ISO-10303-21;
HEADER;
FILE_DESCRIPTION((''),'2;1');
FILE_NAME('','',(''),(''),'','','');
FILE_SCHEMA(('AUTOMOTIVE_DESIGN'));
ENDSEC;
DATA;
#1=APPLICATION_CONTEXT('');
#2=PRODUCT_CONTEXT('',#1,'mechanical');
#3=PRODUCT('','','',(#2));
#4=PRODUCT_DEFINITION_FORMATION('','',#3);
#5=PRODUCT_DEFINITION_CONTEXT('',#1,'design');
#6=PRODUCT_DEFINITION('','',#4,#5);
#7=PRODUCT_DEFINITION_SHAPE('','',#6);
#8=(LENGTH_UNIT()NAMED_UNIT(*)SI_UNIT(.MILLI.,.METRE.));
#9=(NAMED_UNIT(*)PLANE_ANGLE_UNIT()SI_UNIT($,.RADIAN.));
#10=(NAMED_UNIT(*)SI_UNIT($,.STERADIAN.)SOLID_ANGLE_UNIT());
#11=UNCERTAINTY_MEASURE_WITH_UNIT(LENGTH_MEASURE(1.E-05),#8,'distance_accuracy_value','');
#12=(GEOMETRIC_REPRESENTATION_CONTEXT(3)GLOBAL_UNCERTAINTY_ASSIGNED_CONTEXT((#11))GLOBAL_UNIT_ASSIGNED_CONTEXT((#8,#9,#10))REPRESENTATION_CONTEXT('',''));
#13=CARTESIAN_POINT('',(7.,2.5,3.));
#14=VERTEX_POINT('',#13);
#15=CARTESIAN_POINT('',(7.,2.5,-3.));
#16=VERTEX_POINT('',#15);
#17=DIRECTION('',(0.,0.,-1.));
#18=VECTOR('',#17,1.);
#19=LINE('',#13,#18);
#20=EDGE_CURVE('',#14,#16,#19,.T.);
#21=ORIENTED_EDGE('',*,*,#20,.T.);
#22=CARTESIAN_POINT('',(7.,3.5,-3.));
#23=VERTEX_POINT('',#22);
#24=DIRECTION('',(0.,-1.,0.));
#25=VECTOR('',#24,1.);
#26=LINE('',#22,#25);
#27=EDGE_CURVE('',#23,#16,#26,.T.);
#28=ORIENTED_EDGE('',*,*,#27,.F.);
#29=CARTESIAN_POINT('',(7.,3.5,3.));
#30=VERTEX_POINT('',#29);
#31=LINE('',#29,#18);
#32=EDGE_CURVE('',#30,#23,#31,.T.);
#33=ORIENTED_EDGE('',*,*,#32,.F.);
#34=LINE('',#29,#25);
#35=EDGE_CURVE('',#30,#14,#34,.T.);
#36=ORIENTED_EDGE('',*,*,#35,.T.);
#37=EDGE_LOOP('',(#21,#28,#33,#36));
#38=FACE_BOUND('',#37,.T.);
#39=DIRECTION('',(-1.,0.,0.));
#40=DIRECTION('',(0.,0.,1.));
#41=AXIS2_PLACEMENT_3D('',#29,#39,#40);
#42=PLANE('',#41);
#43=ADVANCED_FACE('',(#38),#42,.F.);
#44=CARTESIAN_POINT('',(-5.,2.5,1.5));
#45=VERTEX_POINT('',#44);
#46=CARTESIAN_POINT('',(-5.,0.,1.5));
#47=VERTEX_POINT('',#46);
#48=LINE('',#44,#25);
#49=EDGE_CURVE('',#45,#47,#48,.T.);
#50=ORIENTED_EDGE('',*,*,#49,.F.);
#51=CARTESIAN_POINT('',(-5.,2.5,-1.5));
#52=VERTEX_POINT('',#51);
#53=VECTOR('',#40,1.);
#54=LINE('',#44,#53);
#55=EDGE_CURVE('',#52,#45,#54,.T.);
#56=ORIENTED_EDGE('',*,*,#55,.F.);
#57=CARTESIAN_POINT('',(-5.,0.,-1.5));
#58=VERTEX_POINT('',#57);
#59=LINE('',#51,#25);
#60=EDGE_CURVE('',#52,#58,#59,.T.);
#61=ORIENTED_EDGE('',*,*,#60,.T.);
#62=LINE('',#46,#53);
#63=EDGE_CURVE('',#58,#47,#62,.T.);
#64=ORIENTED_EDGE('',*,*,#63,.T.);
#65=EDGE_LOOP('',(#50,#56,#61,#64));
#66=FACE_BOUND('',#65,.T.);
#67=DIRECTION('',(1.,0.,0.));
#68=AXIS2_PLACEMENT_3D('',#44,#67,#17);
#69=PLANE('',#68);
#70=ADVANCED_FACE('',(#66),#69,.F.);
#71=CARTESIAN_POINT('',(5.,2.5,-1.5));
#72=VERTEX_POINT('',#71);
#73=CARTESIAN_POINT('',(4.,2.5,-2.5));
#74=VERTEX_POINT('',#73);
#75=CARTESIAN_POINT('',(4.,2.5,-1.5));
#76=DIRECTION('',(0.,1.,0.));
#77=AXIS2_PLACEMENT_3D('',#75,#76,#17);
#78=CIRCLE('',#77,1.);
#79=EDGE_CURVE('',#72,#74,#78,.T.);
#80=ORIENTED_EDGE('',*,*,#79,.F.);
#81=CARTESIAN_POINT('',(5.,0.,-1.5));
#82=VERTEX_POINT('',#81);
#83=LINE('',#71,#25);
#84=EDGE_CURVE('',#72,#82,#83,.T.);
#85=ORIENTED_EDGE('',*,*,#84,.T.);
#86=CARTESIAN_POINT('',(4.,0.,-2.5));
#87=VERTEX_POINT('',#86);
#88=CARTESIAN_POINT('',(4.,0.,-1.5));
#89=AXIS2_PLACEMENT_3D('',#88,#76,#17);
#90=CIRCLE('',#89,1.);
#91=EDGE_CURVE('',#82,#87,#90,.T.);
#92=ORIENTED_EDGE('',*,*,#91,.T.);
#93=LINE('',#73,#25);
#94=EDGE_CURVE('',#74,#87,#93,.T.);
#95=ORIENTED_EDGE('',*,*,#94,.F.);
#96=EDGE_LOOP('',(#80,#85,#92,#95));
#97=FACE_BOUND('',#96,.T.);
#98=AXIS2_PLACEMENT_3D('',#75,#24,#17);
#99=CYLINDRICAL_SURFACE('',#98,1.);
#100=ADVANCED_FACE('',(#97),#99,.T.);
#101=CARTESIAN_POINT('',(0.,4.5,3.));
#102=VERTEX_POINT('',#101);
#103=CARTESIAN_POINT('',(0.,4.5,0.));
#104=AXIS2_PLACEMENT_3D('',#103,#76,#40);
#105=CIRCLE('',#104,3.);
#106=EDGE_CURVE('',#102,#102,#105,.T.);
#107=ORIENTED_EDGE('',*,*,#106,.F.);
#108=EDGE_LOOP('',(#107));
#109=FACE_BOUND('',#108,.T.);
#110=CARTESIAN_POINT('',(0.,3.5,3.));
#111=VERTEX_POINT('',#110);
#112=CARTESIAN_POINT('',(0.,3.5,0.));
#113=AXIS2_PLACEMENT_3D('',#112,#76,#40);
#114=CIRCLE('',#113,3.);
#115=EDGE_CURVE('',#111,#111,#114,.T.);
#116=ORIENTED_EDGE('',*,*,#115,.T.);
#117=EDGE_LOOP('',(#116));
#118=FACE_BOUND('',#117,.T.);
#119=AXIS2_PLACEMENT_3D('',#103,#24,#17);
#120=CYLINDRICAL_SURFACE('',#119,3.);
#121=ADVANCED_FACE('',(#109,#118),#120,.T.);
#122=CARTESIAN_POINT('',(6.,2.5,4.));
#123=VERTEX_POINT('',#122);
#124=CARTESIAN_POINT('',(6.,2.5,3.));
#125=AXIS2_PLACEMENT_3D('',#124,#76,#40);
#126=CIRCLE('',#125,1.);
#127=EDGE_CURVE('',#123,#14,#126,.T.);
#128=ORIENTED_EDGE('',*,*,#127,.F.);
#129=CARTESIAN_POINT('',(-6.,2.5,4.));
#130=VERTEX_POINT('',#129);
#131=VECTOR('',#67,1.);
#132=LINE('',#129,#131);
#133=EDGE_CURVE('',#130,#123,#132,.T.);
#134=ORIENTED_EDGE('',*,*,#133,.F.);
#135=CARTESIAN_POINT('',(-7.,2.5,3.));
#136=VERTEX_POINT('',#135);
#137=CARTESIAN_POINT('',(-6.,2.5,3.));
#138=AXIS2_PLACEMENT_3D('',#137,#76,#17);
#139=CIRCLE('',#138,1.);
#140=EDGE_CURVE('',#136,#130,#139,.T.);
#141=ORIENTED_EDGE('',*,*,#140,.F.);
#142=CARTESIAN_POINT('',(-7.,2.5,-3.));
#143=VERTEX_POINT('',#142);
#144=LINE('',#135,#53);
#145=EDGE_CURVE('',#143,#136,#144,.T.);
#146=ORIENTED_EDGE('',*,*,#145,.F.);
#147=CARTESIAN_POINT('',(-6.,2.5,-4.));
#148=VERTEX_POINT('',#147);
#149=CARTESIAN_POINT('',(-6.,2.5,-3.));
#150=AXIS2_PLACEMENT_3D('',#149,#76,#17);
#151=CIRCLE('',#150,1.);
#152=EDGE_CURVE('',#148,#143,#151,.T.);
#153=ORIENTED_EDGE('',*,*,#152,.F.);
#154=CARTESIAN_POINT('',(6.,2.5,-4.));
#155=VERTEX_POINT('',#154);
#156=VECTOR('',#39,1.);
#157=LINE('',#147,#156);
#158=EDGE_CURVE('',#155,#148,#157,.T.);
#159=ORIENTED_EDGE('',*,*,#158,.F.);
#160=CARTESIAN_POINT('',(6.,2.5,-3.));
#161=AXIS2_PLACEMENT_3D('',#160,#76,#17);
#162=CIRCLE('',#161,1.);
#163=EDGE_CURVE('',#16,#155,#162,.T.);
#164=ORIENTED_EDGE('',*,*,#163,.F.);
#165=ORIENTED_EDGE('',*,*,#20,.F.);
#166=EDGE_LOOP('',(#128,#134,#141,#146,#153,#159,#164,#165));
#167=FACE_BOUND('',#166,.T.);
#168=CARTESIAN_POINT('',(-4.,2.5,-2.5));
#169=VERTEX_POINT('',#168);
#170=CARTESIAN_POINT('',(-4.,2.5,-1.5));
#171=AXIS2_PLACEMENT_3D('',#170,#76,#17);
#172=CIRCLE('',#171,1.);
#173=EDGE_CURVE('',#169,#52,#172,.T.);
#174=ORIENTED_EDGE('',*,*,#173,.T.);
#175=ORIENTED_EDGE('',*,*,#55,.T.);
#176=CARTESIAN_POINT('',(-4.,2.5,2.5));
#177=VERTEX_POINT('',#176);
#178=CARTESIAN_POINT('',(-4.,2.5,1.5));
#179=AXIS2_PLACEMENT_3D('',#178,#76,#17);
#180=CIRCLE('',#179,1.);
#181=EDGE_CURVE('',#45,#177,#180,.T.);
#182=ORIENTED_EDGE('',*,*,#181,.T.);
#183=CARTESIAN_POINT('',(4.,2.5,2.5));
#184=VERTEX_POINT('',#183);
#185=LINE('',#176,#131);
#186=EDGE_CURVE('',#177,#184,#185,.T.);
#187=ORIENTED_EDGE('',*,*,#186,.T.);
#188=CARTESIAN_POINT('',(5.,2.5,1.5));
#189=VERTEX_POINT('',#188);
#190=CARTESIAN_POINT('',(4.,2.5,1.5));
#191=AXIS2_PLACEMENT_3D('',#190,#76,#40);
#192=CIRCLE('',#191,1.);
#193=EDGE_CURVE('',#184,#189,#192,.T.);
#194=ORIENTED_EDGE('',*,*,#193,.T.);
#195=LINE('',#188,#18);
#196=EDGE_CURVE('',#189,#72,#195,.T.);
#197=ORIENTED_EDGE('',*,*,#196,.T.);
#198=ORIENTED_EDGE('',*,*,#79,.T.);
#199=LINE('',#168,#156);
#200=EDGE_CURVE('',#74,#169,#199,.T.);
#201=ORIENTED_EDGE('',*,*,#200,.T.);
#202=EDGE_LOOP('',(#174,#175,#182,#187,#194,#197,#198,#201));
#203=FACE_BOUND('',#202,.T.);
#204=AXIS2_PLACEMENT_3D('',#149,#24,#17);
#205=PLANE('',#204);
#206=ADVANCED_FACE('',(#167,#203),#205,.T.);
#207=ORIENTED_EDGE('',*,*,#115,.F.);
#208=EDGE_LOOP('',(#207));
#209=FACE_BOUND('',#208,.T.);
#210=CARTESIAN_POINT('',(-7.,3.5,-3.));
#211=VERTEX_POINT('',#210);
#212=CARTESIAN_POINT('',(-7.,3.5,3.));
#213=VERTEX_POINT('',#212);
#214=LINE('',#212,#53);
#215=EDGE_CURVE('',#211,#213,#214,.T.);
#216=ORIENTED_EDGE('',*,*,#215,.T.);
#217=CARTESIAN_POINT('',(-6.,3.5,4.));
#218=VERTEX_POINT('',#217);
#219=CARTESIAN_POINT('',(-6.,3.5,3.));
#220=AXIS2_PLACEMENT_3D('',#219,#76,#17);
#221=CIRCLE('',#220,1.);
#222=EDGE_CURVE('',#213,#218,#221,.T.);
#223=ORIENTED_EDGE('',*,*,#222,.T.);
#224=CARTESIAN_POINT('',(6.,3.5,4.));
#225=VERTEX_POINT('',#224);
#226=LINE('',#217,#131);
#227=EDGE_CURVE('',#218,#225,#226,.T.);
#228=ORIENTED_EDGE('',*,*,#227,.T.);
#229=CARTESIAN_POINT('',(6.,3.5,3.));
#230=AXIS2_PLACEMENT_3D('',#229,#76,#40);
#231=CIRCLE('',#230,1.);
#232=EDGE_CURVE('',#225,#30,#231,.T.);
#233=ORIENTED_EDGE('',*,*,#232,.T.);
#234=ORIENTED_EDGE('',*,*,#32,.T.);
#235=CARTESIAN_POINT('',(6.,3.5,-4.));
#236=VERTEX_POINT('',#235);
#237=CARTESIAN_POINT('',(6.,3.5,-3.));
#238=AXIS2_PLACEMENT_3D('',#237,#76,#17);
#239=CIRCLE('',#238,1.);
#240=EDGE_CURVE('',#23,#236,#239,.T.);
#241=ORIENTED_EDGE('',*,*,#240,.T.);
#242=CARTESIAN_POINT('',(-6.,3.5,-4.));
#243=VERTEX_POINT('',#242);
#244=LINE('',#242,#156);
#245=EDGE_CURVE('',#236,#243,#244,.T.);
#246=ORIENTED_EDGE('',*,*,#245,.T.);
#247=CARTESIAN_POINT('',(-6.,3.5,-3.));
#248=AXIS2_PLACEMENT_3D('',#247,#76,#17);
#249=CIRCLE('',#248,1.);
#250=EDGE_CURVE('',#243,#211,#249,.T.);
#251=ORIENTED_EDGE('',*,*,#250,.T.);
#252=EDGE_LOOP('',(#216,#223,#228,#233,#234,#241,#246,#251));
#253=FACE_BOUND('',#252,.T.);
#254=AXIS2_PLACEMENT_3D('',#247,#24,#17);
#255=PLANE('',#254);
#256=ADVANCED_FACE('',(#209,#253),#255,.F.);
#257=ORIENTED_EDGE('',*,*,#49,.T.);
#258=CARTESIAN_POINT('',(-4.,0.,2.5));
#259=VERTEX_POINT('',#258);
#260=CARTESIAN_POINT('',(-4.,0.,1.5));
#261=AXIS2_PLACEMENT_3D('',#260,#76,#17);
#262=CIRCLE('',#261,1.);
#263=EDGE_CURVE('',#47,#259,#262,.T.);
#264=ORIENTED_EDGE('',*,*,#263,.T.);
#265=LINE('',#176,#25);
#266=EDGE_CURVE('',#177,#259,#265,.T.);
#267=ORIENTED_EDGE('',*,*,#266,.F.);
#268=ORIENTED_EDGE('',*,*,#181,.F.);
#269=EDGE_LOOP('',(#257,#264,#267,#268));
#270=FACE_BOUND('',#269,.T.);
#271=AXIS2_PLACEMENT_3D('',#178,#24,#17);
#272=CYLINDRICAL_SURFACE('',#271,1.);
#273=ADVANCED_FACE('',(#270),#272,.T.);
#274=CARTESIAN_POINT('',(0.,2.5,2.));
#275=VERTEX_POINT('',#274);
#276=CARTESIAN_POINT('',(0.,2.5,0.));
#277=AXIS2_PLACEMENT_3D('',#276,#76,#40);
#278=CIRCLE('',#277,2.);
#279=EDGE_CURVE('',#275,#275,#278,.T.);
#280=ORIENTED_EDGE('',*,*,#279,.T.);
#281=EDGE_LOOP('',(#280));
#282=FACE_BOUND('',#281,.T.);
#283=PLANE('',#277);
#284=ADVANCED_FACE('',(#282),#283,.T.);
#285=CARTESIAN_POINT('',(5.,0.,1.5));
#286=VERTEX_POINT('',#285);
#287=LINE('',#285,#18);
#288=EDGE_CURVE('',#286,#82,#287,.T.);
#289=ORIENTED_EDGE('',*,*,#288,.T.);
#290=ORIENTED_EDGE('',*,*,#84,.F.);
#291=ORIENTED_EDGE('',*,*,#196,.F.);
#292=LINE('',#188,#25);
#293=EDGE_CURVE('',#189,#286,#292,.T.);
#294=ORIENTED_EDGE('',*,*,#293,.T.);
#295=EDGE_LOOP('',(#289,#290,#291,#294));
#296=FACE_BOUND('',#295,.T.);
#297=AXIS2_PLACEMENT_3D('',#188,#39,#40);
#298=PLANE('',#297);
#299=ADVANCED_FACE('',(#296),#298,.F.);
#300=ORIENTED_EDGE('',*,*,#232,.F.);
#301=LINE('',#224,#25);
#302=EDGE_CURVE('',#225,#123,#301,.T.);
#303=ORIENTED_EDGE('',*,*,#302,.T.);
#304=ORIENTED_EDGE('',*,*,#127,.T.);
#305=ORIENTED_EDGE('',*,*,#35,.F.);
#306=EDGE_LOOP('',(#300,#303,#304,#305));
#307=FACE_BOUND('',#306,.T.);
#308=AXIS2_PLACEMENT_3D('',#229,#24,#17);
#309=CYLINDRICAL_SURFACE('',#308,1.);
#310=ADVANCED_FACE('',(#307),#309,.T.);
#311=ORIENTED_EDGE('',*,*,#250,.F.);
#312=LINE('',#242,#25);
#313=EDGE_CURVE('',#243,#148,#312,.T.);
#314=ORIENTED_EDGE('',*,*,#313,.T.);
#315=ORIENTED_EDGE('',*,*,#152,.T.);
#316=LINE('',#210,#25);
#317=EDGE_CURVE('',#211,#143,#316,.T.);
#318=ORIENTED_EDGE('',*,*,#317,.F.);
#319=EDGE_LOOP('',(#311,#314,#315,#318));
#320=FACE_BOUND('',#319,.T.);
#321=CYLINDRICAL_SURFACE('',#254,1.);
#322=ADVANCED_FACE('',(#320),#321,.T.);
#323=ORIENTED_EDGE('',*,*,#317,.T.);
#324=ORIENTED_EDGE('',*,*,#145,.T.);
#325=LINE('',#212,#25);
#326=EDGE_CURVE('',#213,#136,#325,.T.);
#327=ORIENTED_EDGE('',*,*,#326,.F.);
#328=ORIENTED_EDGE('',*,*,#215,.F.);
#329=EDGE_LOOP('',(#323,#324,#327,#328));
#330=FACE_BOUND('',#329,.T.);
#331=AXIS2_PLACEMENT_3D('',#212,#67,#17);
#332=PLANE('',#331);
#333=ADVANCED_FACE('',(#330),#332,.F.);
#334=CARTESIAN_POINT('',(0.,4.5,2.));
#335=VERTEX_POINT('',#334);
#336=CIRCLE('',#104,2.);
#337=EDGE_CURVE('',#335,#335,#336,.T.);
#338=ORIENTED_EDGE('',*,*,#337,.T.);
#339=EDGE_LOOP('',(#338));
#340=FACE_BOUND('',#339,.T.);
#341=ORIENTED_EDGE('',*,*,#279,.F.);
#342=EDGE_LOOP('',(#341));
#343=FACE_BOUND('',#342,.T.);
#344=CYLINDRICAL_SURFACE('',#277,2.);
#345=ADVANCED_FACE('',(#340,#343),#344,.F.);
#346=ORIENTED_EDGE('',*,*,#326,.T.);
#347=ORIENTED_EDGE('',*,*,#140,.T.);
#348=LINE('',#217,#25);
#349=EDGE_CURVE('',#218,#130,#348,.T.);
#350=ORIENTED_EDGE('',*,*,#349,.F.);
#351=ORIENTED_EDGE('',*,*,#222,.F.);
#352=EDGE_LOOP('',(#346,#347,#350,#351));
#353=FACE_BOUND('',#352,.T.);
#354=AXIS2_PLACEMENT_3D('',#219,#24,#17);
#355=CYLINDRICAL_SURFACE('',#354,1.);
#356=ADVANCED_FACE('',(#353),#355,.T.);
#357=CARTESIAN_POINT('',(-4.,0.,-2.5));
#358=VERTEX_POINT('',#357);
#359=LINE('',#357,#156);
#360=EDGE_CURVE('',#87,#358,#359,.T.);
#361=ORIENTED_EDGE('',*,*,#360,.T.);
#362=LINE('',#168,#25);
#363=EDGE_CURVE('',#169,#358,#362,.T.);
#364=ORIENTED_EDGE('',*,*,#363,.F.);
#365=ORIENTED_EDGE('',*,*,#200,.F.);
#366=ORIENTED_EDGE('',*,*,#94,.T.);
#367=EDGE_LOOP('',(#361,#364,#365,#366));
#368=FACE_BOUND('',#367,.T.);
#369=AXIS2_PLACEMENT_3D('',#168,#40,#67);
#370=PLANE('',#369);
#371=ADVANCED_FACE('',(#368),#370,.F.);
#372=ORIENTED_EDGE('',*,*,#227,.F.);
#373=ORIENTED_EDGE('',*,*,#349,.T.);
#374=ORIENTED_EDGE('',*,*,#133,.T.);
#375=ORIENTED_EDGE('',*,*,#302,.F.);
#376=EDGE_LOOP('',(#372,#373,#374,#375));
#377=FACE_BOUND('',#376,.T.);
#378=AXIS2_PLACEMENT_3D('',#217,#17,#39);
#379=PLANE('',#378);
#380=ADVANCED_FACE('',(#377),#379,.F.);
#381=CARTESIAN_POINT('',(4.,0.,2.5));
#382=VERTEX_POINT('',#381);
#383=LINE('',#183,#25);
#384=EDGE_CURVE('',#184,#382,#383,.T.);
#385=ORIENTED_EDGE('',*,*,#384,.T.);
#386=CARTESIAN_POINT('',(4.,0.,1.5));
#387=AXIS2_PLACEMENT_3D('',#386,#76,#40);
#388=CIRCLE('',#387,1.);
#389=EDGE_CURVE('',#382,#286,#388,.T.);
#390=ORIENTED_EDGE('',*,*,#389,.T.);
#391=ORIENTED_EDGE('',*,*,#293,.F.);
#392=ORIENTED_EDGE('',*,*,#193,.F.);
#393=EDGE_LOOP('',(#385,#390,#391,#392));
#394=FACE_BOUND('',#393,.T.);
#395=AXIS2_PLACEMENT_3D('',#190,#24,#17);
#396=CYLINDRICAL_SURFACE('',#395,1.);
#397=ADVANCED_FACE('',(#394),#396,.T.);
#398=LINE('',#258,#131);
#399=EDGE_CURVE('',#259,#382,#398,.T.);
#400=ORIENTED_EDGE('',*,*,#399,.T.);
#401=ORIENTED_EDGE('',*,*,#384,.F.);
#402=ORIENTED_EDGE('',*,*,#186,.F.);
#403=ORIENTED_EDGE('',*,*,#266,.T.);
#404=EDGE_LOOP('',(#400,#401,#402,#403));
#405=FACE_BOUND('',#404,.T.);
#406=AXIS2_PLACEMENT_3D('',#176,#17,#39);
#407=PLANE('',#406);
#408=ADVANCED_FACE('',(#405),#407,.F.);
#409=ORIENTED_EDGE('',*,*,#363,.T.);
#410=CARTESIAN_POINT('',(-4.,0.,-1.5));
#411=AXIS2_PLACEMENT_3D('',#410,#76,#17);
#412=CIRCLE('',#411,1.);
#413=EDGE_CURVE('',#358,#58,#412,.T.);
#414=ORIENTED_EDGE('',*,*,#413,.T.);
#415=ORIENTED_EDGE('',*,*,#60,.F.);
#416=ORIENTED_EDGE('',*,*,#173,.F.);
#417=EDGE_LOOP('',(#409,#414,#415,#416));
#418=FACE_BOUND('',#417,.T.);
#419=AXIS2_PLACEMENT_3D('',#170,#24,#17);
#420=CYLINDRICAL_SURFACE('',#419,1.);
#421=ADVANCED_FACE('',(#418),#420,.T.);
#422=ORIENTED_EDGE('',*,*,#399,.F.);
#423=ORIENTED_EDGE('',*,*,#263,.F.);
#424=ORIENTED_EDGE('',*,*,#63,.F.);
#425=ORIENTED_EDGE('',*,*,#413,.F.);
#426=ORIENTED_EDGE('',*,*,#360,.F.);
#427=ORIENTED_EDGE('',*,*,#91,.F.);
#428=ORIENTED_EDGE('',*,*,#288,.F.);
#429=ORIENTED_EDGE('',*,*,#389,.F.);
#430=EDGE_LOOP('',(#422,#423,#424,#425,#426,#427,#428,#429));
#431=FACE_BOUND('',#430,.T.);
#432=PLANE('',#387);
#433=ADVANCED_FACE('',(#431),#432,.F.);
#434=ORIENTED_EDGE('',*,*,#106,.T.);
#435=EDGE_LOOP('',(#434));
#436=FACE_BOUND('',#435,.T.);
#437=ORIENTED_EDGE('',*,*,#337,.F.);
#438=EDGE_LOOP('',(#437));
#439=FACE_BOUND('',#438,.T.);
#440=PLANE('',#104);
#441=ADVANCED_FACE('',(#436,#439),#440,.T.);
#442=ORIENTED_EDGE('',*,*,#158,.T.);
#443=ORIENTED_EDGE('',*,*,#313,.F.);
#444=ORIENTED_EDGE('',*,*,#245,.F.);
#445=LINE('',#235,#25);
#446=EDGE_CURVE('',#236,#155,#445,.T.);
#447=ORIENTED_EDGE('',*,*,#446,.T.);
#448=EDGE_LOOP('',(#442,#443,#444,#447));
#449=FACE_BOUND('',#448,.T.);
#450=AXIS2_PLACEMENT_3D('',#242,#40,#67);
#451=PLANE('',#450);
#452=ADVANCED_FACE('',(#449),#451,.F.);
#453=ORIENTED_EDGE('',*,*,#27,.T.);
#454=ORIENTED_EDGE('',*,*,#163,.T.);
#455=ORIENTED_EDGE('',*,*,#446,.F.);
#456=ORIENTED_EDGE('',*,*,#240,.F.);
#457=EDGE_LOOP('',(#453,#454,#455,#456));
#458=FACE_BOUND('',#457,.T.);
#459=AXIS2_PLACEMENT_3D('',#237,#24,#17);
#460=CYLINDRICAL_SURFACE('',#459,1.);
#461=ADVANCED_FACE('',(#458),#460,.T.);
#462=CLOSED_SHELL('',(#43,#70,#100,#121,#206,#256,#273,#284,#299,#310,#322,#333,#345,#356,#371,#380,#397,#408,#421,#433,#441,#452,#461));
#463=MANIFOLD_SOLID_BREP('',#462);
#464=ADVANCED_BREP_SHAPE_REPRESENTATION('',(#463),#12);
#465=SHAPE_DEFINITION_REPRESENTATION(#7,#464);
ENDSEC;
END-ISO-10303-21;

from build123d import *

# Parameters (mm, degrees)
SALIENTE_EXTRUIR1_DEPTH = 2.5
SALIENTE_EXTRUIR2_DEPTH = 1
CROQUIS3_R              = 3
SALIENTE_EXTRUIR3_DEPTH = 1
CROQUIS4_R              = 2
CORTAR_EXTRUIR1_DEPTH   = 2


with BuildPart() as part:
    # Croquis1 → Saliente-Extruir1 (new body)
    with BuildSketch(Plane(origin=(0, 0, 0), x_dir=(1, 0, 0), z_dir=(0, 1, 0))):
        with BuildLine():
            Line((-4, -2.5), (4, -2.5))
            ThreePointArc((4, -2.5), (4.707106781, -2.207106781), (5, -1.5))
            Line((5, -1.5), (5, 1.5))
            ThreePointArc((5, 1.5), (4.707106781, 2.207106781), (4, 2.5))
            Line((4, 2.5), (-4, 2.5))
            ThreePointArc((-4, 2.5), (-4.707106781, 2.207106781), (-5, 1.5))
            Line((-5, 1.5), (-5, -1.5))
            ThreePointArc((-5, -1.5), (-4.707106781, -2.207106781), (-4, -2.5))
        make_face()
    extrude(amount=SALIENTE_EXTRUIR1_DEPTH)

    # Croquis2 → Saliente-Extruir2 (add)
    with BuildSketch(Plane(origin=(0, 2.5, 0), x_dir=(1, 0, 0), z_dir=(0, 1, 0))):
        with BuildLine():
            Line((-6, -4), (6, -4))
            ThreePointArc((6, -4), (6.707106781, -3.707106781), (7, -3))
            Line((7, -3), (7, 3))
            ThreePointArc((7, 3), (6.707106781, 3.707106781), (6, 4))
            Line((6, 4), (-6, 4))
            ThreePointArc((-6, 4), (-6.707106781, 3.707106781), (-7, 3))
            Line((-7, 3), (-7, -3))
            ThreePointArc((-7, -3), (-6.707106781, -3.707106781), (-6, -4))
        make_face()
    extrude(amount=SALIENTE_EXTRUIR2_DEPTH)

    # Croquis3 → Saliente-Extruir3 (add)
    with BuildSketch(Plane(origin=(0, 3.5, 0), x_dir=(1, 0, 0), z_dir=(0, 1, 0))):
        with Locations(Location((0, 0, 0), (0, 0, 270))):
            Circle(CROQUIS3_R)
    extrude(amount=SALIENTE_EXTRUIR3_DEPTH)

    # Croquis4 → Cortar-Extruir1 (cut)
    with BuildSketch(Plane(origin=(0, 4.5, 0), x_dir=(1, 0, 0), z_dir=(0, 1, 0))):
        with Locations(Location((0, 0, 0), (0, 0, 270))):
            Circle(CROQUIS4_R)
    extrude(amount=-CORTAR_EXTRUIR1_DEPTH, mode=Mode.SUBTRACT)


solid = part.part
